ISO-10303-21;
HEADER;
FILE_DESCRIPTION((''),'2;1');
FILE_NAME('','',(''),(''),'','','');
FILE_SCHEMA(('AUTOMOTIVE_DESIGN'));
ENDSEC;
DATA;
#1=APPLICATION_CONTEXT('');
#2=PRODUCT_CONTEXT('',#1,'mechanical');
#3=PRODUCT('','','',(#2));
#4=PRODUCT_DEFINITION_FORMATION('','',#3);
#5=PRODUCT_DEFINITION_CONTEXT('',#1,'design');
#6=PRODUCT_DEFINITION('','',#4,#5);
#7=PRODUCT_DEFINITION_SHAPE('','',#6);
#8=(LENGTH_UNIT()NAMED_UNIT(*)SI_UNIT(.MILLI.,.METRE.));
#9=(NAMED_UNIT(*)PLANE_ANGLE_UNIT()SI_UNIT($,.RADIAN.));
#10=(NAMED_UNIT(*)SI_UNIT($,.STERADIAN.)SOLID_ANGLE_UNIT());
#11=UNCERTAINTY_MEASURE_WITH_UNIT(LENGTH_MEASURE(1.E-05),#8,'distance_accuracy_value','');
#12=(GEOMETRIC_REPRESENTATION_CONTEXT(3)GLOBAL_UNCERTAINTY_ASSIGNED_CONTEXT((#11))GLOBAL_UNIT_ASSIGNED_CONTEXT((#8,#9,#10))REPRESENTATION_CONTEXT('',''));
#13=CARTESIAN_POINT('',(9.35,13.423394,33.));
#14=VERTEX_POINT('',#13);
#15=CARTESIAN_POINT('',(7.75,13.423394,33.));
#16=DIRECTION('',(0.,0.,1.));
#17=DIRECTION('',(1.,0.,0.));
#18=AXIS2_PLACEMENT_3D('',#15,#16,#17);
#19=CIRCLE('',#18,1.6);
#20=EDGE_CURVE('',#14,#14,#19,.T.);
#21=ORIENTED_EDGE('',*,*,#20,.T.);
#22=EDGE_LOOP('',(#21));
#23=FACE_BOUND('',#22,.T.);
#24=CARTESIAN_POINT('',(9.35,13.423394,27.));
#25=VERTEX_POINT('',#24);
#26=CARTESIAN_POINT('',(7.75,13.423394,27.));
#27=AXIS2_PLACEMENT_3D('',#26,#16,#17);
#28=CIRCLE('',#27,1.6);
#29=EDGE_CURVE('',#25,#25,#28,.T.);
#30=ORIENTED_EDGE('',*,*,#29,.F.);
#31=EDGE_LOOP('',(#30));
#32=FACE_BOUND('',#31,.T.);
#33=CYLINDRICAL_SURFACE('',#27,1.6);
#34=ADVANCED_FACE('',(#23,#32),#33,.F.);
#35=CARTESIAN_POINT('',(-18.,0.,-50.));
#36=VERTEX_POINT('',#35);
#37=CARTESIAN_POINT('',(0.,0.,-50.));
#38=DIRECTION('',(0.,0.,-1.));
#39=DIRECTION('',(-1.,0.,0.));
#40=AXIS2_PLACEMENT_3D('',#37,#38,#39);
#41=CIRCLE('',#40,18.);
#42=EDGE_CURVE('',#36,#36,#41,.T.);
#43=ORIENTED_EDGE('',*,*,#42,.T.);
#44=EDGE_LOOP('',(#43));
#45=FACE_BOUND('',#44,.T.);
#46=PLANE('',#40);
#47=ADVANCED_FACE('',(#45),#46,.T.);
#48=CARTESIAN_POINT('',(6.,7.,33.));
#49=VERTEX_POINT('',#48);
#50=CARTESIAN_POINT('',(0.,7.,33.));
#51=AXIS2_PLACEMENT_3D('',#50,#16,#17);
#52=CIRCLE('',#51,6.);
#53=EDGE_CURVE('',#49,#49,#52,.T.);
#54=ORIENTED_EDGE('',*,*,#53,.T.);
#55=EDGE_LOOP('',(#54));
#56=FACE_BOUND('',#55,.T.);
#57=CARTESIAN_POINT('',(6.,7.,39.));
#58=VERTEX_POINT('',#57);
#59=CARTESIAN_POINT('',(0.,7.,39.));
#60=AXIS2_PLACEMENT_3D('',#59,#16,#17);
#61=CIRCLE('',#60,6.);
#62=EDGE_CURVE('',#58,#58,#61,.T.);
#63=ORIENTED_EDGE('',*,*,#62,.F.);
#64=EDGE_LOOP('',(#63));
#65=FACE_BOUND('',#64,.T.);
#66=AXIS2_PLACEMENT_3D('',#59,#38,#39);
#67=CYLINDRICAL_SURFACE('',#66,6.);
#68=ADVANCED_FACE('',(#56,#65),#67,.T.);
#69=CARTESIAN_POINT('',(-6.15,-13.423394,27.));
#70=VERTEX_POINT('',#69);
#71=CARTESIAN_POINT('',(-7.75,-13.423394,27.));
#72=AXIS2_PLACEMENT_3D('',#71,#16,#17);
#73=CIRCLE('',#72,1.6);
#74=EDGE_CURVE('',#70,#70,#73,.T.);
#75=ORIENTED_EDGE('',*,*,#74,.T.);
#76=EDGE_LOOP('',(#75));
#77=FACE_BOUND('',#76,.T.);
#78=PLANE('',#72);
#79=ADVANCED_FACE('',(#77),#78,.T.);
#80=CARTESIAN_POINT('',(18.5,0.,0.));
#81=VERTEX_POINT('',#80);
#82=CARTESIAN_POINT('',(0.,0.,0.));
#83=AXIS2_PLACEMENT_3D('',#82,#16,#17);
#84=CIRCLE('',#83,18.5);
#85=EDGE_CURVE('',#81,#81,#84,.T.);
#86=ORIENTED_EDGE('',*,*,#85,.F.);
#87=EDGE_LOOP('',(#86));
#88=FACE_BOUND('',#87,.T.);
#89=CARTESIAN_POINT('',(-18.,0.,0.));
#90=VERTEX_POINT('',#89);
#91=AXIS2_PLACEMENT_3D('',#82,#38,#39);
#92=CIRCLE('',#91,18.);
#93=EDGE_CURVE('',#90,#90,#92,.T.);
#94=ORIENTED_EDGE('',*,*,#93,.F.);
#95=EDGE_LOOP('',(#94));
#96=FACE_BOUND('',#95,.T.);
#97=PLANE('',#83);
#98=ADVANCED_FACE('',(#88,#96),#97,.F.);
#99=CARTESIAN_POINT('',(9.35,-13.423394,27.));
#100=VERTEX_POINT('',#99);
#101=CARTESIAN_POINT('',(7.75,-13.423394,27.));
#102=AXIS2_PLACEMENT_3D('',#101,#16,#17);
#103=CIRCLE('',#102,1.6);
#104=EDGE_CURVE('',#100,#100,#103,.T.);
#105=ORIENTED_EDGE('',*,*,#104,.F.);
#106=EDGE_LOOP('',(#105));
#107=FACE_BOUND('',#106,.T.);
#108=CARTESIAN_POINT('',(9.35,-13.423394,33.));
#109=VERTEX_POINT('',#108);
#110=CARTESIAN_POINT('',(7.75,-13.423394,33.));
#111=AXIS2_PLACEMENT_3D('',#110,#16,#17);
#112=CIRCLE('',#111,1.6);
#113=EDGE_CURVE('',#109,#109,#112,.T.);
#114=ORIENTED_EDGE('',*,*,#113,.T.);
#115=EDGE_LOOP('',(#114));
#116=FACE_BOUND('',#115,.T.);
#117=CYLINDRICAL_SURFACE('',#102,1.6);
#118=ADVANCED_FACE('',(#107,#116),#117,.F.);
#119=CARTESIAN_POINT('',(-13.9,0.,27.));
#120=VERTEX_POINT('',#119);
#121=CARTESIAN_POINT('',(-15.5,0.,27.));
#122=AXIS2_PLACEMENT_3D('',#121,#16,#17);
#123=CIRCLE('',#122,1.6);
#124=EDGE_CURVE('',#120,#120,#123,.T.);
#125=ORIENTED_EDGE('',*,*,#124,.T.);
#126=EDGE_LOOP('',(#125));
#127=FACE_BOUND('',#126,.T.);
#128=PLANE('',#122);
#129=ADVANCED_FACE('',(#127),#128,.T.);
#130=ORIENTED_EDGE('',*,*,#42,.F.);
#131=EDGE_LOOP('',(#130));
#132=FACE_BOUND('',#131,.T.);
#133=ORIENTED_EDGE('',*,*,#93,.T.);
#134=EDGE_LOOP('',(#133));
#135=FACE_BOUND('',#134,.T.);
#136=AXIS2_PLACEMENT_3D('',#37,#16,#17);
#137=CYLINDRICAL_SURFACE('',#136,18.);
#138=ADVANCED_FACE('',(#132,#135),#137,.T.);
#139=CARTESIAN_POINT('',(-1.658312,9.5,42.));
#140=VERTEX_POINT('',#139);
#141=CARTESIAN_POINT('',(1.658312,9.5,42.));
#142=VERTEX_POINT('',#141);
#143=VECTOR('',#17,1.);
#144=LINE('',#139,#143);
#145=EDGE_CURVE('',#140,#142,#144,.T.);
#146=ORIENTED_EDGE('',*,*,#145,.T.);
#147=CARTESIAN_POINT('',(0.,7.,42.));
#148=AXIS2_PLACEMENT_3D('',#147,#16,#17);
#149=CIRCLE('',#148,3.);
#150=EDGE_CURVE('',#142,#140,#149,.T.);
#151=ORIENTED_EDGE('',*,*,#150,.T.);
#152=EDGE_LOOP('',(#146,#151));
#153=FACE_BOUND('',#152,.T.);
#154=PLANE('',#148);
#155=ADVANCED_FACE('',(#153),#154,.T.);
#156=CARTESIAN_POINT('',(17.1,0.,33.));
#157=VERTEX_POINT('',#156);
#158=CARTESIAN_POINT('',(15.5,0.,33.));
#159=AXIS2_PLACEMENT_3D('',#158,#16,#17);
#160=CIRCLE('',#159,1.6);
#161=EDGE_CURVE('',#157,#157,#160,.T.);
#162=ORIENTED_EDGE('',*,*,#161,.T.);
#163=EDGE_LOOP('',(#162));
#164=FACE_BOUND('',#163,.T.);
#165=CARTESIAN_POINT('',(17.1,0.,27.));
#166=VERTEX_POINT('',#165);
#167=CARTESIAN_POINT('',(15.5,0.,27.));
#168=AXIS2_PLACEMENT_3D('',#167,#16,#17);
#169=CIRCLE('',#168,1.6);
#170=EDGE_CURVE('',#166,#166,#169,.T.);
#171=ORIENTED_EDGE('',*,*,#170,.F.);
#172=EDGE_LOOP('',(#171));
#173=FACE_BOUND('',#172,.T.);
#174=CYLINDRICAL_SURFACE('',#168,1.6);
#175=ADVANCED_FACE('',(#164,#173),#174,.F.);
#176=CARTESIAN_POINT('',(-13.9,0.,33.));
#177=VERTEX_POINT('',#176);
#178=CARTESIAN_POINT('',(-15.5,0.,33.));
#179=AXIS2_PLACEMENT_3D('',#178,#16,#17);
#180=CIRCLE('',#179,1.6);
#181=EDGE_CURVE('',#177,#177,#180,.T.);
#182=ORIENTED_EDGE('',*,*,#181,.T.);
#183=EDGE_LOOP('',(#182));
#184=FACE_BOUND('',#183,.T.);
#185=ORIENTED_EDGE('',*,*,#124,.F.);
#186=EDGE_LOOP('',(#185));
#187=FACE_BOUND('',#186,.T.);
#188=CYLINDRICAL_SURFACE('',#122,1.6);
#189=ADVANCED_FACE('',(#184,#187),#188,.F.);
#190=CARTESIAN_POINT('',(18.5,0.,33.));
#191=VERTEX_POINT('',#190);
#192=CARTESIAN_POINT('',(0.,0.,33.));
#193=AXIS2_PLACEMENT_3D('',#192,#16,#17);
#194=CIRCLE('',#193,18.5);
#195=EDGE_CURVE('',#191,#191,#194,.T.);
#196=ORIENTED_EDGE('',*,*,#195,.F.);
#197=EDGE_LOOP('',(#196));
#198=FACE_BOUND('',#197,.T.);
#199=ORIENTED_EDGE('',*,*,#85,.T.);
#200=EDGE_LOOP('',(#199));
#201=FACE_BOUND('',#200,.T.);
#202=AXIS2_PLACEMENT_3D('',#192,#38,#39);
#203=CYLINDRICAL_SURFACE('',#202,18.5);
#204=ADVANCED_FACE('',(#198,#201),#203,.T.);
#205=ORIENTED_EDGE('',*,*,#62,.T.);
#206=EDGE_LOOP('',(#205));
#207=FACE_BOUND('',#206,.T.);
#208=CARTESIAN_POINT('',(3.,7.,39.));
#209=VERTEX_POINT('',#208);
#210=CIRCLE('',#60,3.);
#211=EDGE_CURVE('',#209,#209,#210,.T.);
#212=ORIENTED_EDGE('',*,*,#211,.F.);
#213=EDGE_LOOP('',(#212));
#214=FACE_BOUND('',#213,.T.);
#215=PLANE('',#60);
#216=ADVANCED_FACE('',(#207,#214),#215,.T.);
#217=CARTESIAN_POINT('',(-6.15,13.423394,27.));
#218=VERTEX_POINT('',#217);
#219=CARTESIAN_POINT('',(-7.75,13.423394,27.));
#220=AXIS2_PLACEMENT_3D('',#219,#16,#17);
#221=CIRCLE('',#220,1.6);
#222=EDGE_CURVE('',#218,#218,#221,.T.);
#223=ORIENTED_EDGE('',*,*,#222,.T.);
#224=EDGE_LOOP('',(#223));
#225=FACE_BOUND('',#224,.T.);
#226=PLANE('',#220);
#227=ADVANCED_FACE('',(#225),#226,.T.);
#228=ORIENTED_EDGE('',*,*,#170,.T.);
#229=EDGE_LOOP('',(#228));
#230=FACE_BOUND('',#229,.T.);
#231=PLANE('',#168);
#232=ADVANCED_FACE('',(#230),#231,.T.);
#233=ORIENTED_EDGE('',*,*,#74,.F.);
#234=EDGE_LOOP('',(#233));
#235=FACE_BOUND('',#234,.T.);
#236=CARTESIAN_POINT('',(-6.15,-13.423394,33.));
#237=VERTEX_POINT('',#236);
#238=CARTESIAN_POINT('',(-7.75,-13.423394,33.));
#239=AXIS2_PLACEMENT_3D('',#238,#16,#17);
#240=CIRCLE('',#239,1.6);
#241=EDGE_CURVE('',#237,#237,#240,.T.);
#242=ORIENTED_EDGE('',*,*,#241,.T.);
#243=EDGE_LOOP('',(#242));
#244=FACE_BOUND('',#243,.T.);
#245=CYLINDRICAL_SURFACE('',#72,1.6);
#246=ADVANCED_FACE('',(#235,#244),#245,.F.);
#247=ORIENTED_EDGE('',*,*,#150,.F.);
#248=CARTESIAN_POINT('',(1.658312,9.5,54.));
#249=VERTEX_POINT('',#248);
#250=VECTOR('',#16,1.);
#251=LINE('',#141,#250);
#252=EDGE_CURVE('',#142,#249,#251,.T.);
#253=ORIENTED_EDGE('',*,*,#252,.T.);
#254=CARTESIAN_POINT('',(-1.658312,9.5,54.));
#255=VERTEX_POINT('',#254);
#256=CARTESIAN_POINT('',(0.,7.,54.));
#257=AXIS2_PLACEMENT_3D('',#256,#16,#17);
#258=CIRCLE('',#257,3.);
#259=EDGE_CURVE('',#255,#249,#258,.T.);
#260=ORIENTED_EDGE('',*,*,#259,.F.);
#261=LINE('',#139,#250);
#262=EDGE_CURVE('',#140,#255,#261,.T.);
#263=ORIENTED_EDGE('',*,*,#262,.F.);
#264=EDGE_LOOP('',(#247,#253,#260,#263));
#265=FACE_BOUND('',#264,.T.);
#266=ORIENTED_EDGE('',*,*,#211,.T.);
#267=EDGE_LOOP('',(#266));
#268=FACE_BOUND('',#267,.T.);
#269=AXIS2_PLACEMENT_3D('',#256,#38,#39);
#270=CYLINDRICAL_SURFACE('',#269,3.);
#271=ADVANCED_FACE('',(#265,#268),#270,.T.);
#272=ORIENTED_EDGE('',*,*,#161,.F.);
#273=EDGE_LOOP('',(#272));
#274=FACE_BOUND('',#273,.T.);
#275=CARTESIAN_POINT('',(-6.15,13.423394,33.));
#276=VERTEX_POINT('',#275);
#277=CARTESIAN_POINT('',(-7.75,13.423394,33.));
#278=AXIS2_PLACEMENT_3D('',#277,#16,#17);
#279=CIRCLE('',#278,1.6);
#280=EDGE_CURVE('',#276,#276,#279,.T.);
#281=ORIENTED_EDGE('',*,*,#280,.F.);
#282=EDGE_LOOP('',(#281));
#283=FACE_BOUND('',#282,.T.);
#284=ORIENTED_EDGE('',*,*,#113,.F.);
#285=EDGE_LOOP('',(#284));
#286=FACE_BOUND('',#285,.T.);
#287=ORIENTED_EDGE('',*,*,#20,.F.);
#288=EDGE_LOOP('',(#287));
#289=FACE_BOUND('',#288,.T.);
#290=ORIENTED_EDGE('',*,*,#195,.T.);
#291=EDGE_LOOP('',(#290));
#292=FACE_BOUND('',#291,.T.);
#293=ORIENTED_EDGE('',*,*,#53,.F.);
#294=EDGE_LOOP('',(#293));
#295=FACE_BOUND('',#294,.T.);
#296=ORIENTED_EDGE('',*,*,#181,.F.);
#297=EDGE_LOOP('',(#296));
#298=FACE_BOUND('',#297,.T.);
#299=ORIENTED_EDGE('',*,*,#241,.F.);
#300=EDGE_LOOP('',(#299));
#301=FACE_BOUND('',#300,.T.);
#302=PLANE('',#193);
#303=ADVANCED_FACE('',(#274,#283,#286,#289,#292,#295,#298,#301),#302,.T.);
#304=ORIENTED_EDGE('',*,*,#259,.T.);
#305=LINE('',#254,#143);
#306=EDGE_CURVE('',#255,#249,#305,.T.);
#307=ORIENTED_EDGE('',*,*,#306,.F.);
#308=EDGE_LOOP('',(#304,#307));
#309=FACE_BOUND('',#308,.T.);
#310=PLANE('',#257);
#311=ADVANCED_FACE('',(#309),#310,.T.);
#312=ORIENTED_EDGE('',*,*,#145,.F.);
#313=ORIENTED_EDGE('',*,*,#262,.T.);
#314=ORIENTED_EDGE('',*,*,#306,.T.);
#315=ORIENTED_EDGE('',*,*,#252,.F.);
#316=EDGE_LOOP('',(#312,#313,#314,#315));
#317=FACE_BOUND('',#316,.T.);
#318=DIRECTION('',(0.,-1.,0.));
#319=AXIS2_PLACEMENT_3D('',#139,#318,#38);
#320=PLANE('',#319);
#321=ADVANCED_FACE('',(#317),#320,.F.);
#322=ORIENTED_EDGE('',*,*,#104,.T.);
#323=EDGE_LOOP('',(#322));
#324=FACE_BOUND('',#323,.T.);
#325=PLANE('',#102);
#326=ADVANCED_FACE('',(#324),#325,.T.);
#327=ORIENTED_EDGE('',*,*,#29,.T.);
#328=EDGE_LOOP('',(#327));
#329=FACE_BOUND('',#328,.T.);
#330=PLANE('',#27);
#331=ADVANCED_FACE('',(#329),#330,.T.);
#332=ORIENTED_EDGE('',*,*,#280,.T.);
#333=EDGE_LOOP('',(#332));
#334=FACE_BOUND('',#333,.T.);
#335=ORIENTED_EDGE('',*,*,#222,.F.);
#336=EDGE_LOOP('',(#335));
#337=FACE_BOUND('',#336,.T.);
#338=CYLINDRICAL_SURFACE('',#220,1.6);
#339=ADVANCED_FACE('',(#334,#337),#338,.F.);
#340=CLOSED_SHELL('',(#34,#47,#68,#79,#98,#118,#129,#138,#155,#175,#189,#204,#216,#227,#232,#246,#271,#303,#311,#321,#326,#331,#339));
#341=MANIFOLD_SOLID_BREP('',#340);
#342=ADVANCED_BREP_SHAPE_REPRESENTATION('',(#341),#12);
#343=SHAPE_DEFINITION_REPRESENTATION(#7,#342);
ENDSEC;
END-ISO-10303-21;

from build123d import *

# Parameters (mm, degrees)
SKETCH_1_R          = 18.5
EXTRUDE_1_DEPTH     = 33
SKETCH_2_R          = 18
EXTRUDE_2_DEPTH     = 50
SKETCH_3_R          = 1.6
CUT_EXTRUDE_1_DEPTH = 6
SKETCH_4_R          = 6
EXTRUDE_3_DEPTH     = 6
SKETCH_5_R          = 3
EXTRUDE_4_DEPTH     = 15
CUT_EXTRUDE_START   = -12
CUT_EXTRUDE_2_DEPTH = 12


with BuildPart() as part:
    # 草图1 → 凸台-拉伸1 (new body)
    with BuildSketch(Plane.XY):
        Circle(SKETCH_1_R)
    extrude(amount=EXTRUDE_1_DEPTH)

    # 草图2 → 凸台-拉伸2 (add)
    with BuildSketch(Plane(origin=(0, 0, 0), x_dir=(-1, 0, 0), z_dir=(0, 0, -1))):
        Circle(SKETCH_2_R)
    extrude(amount=EXTRUDE_2_DEPTH)

    # 草图3 → 切除-拉伸1 (cut)
    with BuildSketch(Plane.XY.offset(33)):
        with Locations((-15.5, 0)):
            Circle(SKETCH_3_R)
        with Locations((-7.75, 13.423393759)):
            Circle(SKETCH_3_R)
        with Locations((7.75, 13.423393759)):
            Circle(SKETCH_3_R)
        with Locations((15.5, 0)):
            Circle(SKETCH_3_R)
        with Locations((7.75, -13.423393759)):
            Circle(SKETCH_3_R)
        with Locations((-7.75, -13.423393759)):
            Circle(SKETCH_3_R)
    extrude(amount=-CUT_EXTRUDE_1_DEPTH, mode=Mode.SUBTRACT)

    # 草图4 → 凸台-拉伸3 (add)
    with BuildSketch(Plane.XY.offset(33)):
        with Locations((0, 7)):
            Circle(SKETCH_4_R)
    extrude(amount=EXTRUDE_3_DEPTH)

    # 草图5 → 凸台-拉伸4 (add)
    with BuildSketch(Plane.XY.offset(39)):
        with Locations((0, 7)):
            Circle(SKETCH_5_R)
    extrude(amount=EXTRUDE_4_DEPTH)

    # 草图6 → 切除-拉伸2 (cut)
    with BuildSketch(Plane.XY.offset(54).offset(CUT_EXTRUDE_START)):
        with BuildLine():
            Line((-1.658312395, 9.5), (1.658312395, 9.5))
            ThreePointArc((1.658312395, 9.5), (0, 10), (-1.658312395, 9.5))
        make_face()
    extrude(amount=CUT_EXTRUDE_2_DEPTH, mode=Mode.SUBTRACT)


solid = part.part
